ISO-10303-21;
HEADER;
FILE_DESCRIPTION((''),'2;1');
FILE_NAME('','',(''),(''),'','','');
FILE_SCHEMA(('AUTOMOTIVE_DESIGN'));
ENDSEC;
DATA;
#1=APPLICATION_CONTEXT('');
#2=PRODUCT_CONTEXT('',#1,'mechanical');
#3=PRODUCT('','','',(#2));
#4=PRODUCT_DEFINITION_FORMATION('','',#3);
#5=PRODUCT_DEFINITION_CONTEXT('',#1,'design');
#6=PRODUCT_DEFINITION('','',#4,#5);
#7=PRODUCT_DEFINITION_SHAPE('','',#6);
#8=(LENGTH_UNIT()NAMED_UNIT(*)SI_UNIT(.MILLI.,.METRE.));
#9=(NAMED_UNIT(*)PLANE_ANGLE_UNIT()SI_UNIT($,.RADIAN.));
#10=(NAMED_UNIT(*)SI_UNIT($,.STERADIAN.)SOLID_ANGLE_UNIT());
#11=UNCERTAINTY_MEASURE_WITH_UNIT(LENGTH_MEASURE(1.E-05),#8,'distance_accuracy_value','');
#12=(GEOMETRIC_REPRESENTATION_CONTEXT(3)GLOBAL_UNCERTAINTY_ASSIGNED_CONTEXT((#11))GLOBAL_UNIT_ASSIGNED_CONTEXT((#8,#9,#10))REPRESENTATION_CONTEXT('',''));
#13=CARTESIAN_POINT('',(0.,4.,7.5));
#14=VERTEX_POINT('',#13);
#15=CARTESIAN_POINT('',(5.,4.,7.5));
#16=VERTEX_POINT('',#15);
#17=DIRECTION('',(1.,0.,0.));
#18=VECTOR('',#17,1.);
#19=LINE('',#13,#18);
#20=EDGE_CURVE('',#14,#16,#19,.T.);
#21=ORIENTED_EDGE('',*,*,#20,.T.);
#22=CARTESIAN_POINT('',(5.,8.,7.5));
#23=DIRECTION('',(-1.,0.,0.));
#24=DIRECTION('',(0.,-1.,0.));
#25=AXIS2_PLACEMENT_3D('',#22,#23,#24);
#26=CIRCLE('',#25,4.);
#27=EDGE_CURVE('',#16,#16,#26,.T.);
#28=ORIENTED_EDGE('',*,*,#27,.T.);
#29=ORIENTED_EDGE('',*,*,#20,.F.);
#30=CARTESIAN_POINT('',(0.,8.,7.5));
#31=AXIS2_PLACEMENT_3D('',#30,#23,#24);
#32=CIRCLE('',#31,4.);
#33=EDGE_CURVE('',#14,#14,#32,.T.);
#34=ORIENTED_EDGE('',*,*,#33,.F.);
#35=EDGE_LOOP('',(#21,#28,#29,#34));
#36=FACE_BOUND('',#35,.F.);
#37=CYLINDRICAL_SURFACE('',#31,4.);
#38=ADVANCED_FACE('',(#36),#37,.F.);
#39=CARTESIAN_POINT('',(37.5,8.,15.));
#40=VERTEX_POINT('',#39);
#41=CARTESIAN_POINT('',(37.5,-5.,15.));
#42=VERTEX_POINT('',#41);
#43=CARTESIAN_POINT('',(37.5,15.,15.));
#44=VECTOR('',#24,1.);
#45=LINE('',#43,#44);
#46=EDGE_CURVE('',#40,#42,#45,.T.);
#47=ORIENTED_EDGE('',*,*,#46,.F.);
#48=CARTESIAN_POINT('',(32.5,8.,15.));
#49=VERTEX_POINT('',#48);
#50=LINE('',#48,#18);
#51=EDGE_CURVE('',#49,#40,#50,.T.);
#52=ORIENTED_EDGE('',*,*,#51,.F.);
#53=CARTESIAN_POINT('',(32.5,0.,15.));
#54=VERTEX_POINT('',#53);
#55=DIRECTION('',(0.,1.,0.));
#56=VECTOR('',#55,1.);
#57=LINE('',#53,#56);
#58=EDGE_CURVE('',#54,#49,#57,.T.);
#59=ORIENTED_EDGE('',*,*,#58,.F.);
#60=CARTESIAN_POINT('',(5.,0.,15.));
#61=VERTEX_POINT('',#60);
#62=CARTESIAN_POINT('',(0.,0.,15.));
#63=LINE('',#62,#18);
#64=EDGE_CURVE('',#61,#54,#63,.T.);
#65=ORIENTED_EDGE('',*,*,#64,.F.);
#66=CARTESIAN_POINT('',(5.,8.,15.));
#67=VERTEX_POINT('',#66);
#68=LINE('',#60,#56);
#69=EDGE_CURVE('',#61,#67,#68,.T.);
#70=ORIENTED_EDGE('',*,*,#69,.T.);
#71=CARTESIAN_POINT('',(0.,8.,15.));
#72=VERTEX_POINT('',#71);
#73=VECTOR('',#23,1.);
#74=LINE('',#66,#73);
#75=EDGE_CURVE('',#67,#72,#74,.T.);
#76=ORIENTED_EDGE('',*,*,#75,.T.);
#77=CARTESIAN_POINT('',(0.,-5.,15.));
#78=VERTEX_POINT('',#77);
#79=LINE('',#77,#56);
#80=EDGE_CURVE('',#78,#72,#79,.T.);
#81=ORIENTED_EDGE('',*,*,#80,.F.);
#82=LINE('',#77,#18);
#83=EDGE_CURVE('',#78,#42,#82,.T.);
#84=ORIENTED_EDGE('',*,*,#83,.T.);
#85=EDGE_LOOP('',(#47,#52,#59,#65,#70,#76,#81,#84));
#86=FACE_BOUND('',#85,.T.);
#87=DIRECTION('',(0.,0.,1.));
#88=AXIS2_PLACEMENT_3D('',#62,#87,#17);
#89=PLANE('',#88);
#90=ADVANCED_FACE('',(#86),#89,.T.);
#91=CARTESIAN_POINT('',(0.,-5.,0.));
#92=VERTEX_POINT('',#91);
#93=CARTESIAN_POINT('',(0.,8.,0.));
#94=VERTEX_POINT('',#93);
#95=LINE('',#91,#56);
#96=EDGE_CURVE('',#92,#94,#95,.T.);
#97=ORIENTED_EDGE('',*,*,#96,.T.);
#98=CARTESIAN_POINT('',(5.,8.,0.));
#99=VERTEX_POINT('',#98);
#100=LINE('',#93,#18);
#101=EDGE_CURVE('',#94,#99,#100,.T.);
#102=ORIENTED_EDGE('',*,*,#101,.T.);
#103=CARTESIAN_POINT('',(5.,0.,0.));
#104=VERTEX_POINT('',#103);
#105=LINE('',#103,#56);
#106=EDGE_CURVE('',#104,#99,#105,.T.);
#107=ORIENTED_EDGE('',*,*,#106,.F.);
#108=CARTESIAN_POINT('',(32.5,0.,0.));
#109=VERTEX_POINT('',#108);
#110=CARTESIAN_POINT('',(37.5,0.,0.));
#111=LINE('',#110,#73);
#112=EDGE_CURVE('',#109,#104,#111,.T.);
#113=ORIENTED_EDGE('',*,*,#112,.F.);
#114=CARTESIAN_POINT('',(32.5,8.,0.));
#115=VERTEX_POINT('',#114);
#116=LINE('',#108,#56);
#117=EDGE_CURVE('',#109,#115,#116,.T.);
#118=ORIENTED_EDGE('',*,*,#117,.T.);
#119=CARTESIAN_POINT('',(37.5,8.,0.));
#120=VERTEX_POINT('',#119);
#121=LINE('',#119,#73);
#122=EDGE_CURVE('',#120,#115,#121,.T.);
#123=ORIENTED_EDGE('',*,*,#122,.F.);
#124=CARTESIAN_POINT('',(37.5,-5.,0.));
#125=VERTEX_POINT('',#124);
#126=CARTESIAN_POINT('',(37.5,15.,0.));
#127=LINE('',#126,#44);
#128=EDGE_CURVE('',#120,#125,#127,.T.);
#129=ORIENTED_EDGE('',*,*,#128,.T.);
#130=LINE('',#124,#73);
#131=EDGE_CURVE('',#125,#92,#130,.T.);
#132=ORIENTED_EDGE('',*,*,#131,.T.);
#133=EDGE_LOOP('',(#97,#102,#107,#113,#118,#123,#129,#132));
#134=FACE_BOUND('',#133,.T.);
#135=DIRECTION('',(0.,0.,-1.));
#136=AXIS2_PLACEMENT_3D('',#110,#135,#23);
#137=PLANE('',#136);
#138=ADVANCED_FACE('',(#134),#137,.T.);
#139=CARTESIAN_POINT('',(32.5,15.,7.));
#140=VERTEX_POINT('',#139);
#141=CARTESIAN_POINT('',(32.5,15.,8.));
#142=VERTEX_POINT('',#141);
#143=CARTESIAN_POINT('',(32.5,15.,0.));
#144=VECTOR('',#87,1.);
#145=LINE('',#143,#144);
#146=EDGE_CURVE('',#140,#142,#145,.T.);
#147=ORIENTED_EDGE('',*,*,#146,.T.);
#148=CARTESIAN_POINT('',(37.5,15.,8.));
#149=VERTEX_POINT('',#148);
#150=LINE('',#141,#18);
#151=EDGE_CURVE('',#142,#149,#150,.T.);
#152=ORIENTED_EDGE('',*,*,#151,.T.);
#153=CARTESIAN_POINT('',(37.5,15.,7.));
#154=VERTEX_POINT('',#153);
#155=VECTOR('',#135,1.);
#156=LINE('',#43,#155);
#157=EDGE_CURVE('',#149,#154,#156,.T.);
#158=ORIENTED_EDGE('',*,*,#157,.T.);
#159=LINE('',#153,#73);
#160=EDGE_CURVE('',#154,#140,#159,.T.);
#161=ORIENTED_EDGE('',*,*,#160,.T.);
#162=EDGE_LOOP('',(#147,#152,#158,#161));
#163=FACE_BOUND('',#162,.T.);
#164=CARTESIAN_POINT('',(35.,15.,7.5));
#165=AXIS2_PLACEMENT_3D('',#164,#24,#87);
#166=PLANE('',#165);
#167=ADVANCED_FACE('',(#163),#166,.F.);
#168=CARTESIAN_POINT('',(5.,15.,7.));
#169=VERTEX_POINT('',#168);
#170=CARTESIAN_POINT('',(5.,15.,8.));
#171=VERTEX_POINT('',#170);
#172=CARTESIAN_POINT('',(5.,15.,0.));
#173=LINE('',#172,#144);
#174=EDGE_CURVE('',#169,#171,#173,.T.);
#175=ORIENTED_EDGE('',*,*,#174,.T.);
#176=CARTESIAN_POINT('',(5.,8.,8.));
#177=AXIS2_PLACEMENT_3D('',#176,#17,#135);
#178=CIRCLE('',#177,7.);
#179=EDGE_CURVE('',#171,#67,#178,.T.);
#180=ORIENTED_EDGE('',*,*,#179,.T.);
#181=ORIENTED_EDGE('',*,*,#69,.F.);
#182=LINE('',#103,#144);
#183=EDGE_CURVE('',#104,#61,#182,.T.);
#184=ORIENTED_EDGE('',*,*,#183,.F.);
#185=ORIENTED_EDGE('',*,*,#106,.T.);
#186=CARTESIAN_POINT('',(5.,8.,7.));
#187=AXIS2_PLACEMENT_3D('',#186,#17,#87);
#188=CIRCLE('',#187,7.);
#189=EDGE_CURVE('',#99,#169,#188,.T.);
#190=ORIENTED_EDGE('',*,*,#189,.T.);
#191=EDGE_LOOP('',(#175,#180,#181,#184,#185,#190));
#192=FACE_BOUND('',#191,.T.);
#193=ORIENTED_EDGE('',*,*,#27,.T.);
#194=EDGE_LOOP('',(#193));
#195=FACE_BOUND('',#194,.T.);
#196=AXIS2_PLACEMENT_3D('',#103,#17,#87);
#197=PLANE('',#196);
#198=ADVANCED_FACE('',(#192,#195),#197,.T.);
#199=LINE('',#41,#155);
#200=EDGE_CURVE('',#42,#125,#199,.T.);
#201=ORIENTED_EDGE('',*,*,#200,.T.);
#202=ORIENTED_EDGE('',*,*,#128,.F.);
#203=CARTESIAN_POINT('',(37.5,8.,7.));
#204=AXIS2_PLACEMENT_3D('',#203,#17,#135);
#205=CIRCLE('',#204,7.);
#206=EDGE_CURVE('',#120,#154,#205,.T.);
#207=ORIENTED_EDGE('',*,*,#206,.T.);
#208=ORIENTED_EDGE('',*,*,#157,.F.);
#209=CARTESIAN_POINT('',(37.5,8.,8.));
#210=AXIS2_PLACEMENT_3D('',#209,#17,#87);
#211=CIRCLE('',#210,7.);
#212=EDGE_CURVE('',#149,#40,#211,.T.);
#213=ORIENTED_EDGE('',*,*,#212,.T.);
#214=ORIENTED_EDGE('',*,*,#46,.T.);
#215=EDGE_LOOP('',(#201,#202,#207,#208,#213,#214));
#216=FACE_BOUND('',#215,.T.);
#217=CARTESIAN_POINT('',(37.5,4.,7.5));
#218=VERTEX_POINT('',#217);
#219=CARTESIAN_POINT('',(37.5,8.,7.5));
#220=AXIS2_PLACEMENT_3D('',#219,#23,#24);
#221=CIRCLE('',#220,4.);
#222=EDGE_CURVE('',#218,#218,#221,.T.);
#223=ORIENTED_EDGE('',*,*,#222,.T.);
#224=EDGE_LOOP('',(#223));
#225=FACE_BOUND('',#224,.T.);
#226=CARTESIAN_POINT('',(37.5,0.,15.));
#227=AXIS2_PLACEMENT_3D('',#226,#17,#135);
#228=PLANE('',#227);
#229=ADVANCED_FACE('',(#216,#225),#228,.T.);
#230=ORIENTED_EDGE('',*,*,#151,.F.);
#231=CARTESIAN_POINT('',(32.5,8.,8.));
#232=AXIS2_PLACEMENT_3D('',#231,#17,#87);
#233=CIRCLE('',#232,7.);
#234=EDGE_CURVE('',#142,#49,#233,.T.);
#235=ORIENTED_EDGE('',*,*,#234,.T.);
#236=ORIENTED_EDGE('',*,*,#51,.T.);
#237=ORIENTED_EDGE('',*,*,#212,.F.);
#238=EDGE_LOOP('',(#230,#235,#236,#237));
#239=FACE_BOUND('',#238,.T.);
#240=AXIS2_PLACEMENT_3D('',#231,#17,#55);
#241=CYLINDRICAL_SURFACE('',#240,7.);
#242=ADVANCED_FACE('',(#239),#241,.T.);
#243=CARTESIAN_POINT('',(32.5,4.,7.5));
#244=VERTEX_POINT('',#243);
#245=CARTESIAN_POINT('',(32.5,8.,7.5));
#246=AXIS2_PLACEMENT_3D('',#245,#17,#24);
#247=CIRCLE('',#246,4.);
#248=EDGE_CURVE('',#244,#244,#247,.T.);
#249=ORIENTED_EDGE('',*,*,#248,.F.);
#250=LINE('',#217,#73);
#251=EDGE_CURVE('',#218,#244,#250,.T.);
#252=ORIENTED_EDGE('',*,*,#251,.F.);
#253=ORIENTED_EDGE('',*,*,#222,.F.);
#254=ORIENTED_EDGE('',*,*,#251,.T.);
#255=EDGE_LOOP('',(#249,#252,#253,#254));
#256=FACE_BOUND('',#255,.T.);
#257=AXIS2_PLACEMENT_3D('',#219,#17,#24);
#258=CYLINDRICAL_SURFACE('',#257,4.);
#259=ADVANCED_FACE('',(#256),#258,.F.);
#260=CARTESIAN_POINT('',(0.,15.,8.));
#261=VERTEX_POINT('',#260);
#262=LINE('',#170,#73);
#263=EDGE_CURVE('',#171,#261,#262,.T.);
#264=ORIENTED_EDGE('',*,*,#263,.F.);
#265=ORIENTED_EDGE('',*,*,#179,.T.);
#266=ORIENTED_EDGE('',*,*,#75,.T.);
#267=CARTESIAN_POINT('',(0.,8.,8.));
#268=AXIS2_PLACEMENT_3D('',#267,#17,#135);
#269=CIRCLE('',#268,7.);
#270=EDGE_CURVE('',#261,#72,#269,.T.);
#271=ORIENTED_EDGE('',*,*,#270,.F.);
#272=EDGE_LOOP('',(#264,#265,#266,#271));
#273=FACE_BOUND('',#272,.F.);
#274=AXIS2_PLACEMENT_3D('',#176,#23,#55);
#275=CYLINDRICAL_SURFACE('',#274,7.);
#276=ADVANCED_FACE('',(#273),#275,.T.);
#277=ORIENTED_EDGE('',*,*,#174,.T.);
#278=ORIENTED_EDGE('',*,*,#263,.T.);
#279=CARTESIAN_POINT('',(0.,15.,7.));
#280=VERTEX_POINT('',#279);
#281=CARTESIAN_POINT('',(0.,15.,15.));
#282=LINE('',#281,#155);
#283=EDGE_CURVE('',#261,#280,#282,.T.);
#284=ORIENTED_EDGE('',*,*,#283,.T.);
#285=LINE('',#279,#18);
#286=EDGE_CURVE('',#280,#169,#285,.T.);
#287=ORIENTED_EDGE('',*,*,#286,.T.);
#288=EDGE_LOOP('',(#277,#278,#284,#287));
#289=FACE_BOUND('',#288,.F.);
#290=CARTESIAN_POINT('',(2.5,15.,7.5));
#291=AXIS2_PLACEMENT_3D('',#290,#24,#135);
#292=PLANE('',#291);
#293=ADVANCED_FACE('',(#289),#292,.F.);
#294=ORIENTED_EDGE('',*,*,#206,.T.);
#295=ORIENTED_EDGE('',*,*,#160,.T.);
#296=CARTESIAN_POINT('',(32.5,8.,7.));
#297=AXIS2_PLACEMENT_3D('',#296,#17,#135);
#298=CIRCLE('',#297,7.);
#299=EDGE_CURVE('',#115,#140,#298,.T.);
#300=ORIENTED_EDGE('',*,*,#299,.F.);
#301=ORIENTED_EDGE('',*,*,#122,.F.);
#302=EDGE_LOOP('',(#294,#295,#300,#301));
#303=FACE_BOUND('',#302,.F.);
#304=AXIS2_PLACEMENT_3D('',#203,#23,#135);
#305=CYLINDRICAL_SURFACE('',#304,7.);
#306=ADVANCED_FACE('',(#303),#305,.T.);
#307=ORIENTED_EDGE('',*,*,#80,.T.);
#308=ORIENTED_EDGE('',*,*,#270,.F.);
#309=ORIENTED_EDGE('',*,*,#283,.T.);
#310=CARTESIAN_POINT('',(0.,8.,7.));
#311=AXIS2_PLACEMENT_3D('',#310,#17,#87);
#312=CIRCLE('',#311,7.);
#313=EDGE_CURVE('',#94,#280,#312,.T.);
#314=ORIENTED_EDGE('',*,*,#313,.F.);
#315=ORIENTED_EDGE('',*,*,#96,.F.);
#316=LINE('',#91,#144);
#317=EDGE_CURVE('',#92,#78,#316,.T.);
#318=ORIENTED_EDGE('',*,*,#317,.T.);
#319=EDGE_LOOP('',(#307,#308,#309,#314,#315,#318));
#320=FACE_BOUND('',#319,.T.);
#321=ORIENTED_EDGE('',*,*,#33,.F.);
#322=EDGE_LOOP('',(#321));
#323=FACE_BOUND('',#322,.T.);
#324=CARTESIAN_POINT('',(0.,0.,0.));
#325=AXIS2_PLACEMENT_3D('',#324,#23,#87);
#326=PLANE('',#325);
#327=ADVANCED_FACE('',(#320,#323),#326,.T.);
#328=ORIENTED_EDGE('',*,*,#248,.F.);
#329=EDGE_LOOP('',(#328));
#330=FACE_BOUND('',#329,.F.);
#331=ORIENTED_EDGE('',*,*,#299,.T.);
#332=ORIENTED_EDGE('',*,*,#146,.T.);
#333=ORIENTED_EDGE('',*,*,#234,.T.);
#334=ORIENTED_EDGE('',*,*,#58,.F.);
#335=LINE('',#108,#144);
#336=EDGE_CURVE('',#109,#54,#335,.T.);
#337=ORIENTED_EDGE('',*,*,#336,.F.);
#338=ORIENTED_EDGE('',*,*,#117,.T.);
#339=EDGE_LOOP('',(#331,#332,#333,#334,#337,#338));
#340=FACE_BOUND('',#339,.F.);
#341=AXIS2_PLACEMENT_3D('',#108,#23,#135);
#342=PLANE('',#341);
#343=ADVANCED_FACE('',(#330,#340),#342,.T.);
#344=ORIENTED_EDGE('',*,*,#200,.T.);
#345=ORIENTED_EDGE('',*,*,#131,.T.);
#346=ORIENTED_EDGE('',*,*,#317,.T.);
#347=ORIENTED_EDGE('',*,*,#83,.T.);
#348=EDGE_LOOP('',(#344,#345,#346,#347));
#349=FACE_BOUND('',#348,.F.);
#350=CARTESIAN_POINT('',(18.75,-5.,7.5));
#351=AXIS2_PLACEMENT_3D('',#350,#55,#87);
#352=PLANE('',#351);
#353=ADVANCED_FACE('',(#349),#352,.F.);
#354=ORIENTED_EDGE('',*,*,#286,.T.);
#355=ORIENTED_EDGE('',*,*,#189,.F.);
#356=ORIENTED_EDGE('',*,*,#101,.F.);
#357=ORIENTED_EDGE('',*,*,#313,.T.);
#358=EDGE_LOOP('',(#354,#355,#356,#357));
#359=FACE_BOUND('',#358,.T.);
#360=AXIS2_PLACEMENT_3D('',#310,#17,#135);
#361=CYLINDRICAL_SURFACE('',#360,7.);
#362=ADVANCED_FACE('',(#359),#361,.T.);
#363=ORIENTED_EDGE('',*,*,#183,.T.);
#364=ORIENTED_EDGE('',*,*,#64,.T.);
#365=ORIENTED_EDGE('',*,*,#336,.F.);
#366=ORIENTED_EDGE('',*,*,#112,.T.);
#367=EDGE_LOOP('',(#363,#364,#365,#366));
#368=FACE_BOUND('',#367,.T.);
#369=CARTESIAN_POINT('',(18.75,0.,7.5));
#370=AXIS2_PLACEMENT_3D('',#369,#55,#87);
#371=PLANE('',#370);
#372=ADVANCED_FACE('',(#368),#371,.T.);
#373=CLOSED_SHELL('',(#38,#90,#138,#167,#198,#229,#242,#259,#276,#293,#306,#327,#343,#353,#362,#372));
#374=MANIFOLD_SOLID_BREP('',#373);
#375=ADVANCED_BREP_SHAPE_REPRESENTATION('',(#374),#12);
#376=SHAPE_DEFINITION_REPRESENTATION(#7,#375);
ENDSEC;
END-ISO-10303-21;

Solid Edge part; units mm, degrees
sketch "Sketch1" plane through (0, 0, 0) normal (0, -1, 0) x (1, 0, 0)
  line L0 (37.5, 0) -> (0, 0)
  line L1 (0, 0) -> (0, 15)
  line L2 (0, 15) -> (37.5, 15)
  line L3 (37.5, 15) -> (37.5, 0)
extrude "Protrusion1" add sketch "Sketch1" along normal blind 5
sketch "Sketch2" plane through (18.75, 0, 7.5) normal (0, 1, 0) x (-1, 0, 0)
  line L0 (13.75, -7.5) -> (13.75, 7.5)
  line L1 (13.75, 7.5) -> (18.75, 7.5)
  line L2 (18.75, 7.5) -> (18.75, -7.5)
  line L3 (18.75, -7.5) -> (13.75, -7.5)
extrude "ExtrudedProtrusion_3" add sketch "Sketch2" along normal blind 15
sketch "Sketch3" plane through (0, 5, 7.5) normal (-1, 0, 0) x (0, -1, 0)
  circle A0 centre (-3, 0) radius 4
extrude "Cutout1" cut sketch "Sketch3" against normal through all
fillet "Round1" radius 7 2 edges at (2.5, 15, 15) (2.5, 15, 0)
mirror "Mirror1" about plane through (18.75, 5, 7.5) normal (-1, 0, 0) of "ExtrudedProtrusion_3", "Cutout1"
fillet "Round2" radius 7 2 edges at (35, 15, 15) (35, 15, 0)
